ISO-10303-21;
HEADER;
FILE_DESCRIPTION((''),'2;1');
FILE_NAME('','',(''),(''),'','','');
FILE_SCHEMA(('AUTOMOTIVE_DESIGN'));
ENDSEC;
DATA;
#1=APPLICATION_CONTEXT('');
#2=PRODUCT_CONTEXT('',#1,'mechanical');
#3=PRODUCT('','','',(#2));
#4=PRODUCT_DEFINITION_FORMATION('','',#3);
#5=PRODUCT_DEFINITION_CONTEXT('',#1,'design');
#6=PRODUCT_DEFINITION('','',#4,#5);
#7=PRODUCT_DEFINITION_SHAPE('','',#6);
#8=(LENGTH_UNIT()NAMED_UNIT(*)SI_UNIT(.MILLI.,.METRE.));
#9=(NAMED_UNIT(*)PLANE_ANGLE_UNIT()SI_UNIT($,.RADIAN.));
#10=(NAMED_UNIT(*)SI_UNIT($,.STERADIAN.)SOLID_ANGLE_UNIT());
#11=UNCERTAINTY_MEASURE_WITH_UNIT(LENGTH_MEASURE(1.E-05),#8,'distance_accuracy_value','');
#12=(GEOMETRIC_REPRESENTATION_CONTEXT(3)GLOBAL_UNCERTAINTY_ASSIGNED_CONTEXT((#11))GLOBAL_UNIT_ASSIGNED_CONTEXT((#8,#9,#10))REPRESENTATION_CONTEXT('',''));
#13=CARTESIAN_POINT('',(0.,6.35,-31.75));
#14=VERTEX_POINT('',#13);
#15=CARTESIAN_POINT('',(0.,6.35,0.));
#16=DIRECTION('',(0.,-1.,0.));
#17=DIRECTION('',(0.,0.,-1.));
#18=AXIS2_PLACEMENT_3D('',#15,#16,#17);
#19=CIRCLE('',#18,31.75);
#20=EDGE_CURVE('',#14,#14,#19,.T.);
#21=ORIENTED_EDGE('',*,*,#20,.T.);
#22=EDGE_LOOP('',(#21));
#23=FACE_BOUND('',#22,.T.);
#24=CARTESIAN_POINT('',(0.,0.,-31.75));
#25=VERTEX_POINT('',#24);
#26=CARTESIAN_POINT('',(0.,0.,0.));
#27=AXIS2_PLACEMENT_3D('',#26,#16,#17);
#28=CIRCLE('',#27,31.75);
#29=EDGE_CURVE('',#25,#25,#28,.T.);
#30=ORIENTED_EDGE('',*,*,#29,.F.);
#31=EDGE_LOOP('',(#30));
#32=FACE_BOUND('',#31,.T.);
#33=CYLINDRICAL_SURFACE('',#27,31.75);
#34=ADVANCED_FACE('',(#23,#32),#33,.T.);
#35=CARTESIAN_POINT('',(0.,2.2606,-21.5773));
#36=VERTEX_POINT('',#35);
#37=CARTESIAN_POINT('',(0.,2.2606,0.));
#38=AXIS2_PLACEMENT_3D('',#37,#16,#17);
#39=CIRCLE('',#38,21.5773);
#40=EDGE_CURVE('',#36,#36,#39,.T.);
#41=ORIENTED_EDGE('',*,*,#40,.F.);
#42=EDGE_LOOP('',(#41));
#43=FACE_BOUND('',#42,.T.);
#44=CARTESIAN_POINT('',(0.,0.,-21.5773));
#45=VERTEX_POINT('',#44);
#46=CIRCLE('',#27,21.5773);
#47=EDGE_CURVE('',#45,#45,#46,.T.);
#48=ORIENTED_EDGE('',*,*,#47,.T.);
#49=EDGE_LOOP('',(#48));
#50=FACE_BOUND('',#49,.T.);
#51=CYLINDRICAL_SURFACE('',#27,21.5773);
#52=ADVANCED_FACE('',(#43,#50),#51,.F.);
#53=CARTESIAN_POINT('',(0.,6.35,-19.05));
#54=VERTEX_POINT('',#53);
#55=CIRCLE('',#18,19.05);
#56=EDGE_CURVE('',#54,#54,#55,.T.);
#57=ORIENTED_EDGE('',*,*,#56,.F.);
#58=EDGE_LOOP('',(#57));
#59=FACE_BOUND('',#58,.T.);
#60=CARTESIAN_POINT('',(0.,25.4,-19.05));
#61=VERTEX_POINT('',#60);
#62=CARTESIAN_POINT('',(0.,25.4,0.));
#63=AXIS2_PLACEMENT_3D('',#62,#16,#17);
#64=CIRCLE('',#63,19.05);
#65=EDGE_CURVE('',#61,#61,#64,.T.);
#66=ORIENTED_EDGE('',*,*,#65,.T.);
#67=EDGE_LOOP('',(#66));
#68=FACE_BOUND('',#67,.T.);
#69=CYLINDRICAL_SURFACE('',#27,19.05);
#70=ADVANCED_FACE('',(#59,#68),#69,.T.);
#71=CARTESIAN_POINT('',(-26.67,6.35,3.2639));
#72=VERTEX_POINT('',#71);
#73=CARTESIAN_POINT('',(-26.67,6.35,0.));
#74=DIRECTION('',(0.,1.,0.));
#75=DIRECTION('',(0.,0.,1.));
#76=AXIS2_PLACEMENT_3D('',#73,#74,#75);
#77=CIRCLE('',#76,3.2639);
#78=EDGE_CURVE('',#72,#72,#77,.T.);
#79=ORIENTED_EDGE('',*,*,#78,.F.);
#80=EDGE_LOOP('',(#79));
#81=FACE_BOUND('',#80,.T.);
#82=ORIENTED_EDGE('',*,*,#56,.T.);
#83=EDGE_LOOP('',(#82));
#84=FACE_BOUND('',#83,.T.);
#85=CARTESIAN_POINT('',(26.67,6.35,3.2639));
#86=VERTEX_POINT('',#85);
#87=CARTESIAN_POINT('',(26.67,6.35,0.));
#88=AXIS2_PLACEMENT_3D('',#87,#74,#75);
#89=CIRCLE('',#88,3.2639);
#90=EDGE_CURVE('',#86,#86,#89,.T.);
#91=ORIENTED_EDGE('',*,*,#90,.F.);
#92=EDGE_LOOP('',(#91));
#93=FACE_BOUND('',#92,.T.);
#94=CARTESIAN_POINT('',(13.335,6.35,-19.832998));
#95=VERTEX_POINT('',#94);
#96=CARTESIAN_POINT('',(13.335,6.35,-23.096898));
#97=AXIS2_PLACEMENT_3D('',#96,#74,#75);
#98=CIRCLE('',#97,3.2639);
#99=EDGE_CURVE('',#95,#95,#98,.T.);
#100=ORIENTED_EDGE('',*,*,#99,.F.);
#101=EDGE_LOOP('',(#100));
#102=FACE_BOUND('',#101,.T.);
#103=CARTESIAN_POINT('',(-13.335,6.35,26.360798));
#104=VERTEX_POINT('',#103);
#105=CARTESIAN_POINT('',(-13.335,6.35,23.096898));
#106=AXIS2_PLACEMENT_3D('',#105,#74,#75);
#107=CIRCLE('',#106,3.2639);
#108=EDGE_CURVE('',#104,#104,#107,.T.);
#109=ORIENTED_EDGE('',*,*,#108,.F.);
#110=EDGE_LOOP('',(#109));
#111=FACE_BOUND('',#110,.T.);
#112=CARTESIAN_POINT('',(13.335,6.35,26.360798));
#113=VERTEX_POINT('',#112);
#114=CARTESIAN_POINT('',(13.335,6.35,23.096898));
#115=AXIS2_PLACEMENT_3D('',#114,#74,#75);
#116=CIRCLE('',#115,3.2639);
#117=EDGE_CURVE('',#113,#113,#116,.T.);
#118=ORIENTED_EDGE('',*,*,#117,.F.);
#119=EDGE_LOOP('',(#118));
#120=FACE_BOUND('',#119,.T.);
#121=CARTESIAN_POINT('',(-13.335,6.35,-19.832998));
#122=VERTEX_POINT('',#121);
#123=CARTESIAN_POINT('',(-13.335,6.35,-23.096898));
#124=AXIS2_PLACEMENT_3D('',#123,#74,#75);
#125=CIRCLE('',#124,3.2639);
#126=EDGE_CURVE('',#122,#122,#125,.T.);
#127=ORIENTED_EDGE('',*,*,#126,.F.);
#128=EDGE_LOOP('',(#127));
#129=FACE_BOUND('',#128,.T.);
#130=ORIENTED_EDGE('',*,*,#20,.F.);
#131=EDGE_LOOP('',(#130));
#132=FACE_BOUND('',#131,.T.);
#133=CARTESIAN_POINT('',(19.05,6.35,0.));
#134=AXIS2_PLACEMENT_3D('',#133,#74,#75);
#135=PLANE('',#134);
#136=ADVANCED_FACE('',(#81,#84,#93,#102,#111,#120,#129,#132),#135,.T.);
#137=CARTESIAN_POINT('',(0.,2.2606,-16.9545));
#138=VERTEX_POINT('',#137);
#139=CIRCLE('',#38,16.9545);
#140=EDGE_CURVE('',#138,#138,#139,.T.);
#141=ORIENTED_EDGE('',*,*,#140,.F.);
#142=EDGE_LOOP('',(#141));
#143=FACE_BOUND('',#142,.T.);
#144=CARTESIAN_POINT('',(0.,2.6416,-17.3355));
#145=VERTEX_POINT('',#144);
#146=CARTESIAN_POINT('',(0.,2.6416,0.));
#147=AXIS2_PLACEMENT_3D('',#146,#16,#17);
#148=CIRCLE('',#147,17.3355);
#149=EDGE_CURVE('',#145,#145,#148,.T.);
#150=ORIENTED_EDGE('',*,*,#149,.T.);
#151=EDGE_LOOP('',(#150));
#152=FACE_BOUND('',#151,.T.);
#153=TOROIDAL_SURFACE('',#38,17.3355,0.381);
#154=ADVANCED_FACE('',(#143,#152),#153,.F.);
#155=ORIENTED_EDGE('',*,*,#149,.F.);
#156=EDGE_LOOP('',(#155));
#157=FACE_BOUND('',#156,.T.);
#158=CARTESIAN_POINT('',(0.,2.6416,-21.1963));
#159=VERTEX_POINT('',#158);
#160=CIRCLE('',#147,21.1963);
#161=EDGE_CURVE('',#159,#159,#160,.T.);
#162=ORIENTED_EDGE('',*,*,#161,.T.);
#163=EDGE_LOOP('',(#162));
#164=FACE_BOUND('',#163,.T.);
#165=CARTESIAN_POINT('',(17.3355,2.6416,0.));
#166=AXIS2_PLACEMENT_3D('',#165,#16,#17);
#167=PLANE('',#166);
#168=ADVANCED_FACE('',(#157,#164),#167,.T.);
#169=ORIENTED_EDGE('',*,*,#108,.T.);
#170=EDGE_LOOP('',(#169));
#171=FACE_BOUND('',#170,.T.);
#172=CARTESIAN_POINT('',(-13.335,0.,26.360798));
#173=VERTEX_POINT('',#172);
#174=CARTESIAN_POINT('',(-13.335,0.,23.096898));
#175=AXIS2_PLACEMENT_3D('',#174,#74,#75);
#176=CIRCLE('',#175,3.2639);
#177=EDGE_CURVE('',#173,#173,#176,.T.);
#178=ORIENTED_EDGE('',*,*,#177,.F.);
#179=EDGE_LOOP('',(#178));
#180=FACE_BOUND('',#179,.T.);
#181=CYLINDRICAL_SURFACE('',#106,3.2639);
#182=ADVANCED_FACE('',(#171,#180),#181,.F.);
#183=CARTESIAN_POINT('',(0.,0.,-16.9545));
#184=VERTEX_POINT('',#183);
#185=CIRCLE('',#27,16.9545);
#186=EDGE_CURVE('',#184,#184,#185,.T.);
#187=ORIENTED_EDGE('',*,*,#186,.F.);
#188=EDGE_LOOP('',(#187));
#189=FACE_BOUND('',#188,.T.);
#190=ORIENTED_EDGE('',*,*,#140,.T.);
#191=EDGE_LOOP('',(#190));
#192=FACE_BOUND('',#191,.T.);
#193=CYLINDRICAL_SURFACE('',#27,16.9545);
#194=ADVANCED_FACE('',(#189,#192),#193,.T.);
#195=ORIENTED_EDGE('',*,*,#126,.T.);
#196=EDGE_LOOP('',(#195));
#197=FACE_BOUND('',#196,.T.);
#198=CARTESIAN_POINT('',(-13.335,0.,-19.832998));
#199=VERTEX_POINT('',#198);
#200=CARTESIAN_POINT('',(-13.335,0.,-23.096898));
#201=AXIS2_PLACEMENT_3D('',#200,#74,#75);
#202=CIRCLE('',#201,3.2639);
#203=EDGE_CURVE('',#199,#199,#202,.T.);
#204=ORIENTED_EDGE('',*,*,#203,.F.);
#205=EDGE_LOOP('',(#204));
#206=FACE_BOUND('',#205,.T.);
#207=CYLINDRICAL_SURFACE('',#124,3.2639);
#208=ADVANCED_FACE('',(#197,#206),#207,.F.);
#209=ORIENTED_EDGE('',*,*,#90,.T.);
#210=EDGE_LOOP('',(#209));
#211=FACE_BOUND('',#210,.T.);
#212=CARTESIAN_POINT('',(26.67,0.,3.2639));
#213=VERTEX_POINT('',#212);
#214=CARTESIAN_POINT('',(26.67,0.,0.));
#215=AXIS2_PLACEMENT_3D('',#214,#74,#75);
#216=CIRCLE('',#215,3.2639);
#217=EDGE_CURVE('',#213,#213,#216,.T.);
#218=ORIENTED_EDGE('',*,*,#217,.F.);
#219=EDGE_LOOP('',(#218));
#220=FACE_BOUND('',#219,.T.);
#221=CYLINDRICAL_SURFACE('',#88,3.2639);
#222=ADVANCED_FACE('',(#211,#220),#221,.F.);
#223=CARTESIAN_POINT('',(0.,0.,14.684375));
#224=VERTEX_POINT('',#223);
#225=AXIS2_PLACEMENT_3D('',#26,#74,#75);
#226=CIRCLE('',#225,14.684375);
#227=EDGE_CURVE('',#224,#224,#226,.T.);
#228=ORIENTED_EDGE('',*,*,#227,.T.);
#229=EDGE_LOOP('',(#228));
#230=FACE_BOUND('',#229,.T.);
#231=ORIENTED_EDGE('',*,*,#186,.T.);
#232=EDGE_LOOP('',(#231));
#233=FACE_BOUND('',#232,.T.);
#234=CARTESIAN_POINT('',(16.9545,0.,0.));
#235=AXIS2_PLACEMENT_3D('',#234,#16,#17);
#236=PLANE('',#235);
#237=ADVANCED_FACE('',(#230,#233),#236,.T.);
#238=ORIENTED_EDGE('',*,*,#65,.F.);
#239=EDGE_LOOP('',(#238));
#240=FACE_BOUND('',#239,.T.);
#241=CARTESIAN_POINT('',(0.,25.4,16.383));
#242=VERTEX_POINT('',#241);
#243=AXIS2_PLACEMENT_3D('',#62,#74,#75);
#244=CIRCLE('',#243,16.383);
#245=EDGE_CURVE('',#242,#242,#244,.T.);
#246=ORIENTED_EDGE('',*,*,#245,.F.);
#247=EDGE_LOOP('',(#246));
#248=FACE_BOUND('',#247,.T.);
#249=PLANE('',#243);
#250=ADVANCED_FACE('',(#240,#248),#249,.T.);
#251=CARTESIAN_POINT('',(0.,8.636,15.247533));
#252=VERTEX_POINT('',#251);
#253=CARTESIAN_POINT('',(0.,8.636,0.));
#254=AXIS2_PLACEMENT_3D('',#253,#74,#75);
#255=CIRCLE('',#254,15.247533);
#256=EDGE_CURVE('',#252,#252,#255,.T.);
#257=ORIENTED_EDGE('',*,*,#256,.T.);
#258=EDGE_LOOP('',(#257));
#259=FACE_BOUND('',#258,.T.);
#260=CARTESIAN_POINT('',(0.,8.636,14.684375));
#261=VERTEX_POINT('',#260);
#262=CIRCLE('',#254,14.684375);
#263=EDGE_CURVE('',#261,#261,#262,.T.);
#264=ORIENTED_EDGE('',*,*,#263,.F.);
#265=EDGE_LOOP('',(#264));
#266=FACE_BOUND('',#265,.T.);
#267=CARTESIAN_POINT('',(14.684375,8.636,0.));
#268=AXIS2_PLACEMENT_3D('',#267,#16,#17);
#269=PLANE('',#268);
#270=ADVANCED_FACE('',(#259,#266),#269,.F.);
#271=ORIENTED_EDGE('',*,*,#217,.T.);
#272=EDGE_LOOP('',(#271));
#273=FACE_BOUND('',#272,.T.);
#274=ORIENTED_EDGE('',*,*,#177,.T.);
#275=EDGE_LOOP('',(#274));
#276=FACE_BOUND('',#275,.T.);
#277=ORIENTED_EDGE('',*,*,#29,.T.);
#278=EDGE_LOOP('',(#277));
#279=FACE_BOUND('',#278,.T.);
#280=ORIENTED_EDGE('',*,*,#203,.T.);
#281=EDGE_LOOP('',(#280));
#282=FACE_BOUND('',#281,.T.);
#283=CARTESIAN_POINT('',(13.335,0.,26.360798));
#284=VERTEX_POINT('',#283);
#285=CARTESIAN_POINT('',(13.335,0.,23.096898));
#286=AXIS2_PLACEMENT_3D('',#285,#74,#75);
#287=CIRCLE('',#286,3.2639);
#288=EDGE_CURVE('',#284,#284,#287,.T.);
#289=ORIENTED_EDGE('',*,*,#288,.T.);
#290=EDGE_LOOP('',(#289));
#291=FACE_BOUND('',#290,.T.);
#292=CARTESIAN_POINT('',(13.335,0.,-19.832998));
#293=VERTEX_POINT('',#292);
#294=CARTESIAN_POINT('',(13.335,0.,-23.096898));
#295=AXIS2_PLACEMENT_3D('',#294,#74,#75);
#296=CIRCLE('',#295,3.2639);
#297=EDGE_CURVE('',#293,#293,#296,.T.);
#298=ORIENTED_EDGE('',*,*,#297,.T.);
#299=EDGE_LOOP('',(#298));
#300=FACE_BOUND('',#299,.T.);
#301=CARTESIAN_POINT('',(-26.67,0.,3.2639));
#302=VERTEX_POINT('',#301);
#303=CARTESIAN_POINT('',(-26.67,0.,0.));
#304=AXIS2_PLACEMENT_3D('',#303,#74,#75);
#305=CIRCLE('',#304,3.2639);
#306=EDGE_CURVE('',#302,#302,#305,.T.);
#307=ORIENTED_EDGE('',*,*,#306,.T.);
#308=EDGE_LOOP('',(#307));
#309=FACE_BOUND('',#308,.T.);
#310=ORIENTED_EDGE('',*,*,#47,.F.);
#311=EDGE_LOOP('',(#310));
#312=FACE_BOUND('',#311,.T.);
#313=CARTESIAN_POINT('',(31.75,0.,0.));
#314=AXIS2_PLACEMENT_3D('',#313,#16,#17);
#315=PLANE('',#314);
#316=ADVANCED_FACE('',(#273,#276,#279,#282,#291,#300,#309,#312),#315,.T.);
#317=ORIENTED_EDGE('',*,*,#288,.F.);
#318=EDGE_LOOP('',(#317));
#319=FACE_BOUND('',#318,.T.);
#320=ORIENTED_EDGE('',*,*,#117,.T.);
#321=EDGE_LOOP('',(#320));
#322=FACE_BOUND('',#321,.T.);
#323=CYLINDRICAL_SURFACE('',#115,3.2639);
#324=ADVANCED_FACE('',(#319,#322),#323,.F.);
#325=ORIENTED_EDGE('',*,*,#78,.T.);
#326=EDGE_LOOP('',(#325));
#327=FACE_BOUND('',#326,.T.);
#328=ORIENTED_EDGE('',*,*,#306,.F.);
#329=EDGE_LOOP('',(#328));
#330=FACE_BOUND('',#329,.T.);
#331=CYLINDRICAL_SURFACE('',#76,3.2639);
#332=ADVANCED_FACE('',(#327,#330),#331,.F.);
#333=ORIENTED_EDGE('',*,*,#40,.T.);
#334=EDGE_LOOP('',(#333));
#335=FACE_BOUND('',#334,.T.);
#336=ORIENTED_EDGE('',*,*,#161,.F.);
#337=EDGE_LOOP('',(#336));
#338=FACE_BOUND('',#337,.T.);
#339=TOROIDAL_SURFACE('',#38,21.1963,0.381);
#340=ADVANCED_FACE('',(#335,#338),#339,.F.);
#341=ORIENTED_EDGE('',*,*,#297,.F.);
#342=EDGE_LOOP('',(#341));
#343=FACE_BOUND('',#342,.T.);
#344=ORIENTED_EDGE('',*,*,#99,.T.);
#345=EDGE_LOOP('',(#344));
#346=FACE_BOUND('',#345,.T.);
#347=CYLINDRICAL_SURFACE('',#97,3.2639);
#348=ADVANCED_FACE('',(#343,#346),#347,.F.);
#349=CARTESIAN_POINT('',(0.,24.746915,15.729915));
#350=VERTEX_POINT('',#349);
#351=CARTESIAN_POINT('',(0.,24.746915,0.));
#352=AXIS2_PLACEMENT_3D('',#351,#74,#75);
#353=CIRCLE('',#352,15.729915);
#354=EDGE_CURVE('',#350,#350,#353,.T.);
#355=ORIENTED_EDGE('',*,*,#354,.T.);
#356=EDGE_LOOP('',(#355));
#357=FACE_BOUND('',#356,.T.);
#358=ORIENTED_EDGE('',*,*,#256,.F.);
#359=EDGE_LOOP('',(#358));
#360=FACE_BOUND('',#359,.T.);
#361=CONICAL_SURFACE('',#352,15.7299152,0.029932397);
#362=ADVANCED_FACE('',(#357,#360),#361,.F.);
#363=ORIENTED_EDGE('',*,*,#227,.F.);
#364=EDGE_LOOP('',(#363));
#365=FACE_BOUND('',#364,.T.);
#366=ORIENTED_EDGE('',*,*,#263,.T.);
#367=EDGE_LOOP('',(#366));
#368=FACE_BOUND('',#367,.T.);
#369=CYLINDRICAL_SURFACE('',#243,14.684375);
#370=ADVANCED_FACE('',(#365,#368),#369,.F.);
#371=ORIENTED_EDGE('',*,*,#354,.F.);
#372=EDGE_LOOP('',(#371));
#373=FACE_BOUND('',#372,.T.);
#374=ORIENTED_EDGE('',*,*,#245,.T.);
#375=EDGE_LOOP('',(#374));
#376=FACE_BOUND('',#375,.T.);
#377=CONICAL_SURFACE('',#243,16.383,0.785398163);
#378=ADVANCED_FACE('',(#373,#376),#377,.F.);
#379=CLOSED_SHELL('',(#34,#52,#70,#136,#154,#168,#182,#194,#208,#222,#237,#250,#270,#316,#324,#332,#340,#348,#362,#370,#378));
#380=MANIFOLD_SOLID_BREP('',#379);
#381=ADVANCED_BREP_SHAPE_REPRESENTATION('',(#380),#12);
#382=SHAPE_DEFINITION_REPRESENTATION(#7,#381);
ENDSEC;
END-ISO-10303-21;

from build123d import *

# Parameters (mm, degrees)
F_1_4_CLEARANCE_HOLE1_D = 6.5278
CIRPATTERN1_COUNT       = 6


with BuildPart() as part:
    # Sketch4 → Revolve1 (revolve)
    with BuildSketch(Plane.XY, mode=Mode.PRIVATE) as revolve1_sk:
        with BuildLine():
            Line((0, 25.4), (19.05, 25.4))
            Line((19.05, 25.4), (19.05, 6.35))
            Line((19.05, 6.35), (31.75, 6.35))
            Line((31.75, 6.35), (31.75, 0))
            Line((31.75, 0), (21.5773, 0))
            Line((21.5773, 0), (21.5773, 2.2606))
            ThreePointArc((21.5773, 2.2606), (21.465707684, 2.530007684), (21.1963, 2.6416))
            Line((21.1963, 2.6416), (17.3355, 2.6416))
            ThreePointArc((17.3355, 2.6416), (17.066092316, 2.530007684), (16.9545, 2.2606))
            Line((16.9545, 2.2606), (16.9545, 0))
            Line((16.9545, 0), (0, 0))
            Line((0, 0), (0, 25.4))
        make_face()
    revolve(revolve1_sk.sketch.rotate(Axis((0, 0, 0), (0, 1, 0)), 90), axis=Axis((0, 0, 0), (0, 1, 0)))

    # Sketch6 → 1 NPT Tapped Hole2 (revolve, cut)
    with BuildSketch(Plane(origin=(0, 25.4, 0), x_dir=(0, 0, 1), z_dir=(1, 0, 0))):
        Polygon((0, 0), (0, 25.4), (14.684375, 25.4), (14.684375, 16.764), (15.247532824, 16.764), (15.7299152, 0.6530848), (16.383, 0), align=None)
    revolve(axis=Axis((0, 31.75, 0), (0, -1, 0)), mode=Mode.SUBTRACT)

    # 1/4 Clearance Hole1 (through all)
    with Locations(Plane(origin=(0, 6.35, 0), x_dir=(1, 0, 0), z_dir=(0, 1, 0))):
        with Locations((26.67, 0)):
            f_1_4_clearance_hole1 = Hole(F_1_4_CLEARANCE_HOLE1_D / 2)

    # CirPattern1: 1/4 Clearance Hole1 ×6 about axis
    cirpattern1_axis = Axis((0, 0, 0), (0, 1, 0))
    for i in range(1, CIRPATTERN1_COUNT):
        add(f_1_4_clearance_hole1.rotate(cirpattern1_axis, i * 360 / CIRPATTERN1_COUNT), mode=Mode.SUBTRACT)


solid = part.part
